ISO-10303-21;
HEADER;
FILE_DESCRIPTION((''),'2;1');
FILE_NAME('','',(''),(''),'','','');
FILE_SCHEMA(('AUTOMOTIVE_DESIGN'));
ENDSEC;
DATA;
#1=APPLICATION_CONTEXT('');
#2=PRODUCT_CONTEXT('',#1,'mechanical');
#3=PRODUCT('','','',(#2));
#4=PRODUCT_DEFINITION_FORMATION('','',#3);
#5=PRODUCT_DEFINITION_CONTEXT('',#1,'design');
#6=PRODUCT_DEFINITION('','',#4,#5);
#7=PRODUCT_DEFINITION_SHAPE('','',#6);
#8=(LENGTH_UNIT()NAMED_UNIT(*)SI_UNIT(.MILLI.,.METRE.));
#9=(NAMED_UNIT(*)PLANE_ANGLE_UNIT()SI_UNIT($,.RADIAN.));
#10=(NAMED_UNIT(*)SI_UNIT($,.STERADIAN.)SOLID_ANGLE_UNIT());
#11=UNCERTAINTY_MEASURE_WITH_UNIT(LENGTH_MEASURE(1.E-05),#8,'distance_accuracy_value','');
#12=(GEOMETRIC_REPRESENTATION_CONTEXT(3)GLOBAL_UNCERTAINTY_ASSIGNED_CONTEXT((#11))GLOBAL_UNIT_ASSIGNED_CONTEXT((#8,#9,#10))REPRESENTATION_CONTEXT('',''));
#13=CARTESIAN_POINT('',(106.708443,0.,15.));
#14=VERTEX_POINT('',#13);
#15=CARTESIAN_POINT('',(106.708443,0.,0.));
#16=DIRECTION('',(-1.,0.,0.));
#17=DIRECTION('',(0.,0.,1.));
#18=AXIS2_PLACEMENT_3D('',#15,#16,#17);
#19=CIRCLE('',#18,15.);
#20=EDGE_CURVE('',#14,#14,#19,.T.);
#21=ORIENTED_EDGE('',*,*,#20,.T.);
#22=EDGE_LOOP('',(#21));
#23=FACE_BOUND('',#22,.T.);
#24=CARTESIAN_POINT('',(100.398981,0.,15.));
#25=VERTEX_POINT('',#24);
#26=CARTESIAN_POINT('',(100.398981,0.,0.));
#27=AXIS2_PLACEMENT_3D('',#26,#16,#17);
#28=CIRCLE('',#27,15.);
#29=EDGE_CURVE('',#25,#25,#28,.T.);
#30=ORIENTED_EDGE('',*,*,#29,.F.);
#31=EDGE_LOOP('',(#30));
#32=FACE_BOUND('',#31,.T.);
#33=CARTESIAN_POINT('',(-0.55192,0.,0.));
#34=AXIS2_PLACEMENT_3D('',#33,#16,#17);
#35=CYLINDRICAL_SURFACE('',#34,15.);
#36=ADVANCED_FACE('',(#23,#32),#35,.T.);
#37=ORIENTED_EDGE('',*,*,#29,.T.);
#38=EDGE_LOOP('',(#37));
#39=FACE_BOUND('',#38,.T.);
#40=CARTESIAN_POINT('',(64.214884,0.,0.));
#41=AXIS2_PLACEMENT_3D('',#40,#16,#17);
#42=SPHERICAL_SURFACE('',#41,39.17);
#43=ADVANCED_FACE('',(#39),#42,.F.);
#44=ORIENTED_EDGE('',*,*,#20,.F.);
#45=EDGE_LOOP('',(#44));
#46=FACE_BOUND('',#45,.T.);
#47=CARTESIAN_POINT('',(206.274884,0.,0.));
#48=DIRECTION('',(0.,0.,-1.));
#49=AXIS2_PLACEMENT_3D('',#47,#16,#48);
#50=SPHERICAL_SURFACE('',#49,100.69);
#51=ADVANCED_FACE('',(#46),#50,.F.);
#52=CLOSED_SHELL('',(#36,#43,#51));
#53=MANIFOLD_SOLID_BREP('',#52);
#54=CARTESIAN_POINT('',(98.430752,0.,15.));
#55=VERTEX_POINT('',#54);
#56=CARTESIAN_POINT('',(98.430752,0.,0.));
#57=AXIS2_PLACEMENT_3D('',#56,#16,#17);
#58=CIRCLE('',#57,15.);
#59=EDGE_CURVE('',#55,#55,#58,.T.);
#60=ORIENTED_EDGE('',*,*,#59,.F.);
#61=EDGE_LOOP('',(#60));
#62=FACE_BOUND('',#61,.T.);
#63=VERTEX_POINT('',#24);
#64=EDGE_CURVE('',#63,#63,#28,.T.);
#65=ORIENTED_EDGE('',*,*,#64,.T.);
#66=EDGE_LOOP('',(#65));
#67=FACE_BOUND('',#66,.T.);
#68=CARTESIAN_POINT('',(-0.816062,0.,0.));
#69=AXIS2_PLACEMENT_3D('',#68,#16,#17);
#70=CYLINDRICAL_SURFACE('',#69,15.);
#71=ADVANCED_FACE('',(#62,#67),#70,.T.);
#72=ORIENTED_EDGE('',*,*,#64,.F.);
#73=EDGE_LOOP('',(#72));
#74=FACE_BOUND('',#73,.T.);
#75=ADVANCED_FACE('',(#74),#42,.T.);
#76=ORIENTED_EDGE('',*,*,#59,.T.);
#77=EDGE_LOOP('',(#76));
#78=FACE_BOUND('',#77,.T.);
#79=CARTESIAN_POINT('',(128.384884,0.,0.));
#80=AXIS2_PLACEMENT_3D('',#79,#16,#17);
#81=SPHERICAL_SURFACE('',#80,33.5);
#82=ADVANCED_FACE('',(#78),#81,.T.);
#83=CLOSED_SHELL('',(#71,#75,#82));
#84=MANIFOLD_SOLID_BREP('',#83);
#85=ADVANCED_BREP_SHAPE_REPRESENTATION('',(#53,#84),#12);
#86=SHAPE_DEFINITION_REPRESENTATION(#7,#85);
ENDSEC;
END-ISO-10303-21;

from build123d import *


with BuildPart() as part:
    # 草图1 one side → 旋转1 (revolve)
    with BuildSketch(Plane(origin=(0, 0, 0), x_dir=(1, 0, 0), z_dir=(0, 1, 0)), mode=Mode.PRIVATE) as revolve_1_sk:
        with BuildLine():
            ThreePointArc((98.430752238, 15), (95.783400678, 7.706704592), (94.884883839, 0))
            Line((94.884883839, 0), (103.384883839, 0))
            ThreePointArc((103.384883839, 0), (102.631156385, 7.647150036), (100.398981175, 15))
            Line((100.398981175, 15), (98.430752238, 15))
        make_face()
    revolve(revolve_1_sk.sketch.rotate(Axis((-0.816062176, 0, 0), (1, 0, 0)), 180), axis=Axis((-0.816062176, 0, 0), (1, 0, 0)))  # turned: the seam where the file's is


with BuildPart() as body_2:
    # 草图2 one side → 旋转2 (revolve)
    with BuildSketch(Plane(origin=(0, 0, 0), x_dir=(1, 0, 0), z_dir=(0, 1, 0)), mode=Mode.PRIVATE) as revolve_2_sk:
        with BuildLine():
            Line((106.708443208, 15), (100.398981175, 15))
            ThreePointArc((100.398981175, 15), (102.631156385, 7.647150036), (103.384883839, 0))
            Line((103.384883839, 0), (105.584883839, 0))
            ThreePointArc((105.584883839, 0), (105.86616657, 7.521010332), (106.708443208, 15))
        make_face()
    revolve(revolve_2_sk.sketch.rotate(Axis((-0.551919993, 0, 0), (1, 0, 0)), 180), axis=Axis((-0.551919993, 0, 0), (1, 0, 0)))  # turned: the seam where the file's is


solid = Compound([part.part, body_2.part])
